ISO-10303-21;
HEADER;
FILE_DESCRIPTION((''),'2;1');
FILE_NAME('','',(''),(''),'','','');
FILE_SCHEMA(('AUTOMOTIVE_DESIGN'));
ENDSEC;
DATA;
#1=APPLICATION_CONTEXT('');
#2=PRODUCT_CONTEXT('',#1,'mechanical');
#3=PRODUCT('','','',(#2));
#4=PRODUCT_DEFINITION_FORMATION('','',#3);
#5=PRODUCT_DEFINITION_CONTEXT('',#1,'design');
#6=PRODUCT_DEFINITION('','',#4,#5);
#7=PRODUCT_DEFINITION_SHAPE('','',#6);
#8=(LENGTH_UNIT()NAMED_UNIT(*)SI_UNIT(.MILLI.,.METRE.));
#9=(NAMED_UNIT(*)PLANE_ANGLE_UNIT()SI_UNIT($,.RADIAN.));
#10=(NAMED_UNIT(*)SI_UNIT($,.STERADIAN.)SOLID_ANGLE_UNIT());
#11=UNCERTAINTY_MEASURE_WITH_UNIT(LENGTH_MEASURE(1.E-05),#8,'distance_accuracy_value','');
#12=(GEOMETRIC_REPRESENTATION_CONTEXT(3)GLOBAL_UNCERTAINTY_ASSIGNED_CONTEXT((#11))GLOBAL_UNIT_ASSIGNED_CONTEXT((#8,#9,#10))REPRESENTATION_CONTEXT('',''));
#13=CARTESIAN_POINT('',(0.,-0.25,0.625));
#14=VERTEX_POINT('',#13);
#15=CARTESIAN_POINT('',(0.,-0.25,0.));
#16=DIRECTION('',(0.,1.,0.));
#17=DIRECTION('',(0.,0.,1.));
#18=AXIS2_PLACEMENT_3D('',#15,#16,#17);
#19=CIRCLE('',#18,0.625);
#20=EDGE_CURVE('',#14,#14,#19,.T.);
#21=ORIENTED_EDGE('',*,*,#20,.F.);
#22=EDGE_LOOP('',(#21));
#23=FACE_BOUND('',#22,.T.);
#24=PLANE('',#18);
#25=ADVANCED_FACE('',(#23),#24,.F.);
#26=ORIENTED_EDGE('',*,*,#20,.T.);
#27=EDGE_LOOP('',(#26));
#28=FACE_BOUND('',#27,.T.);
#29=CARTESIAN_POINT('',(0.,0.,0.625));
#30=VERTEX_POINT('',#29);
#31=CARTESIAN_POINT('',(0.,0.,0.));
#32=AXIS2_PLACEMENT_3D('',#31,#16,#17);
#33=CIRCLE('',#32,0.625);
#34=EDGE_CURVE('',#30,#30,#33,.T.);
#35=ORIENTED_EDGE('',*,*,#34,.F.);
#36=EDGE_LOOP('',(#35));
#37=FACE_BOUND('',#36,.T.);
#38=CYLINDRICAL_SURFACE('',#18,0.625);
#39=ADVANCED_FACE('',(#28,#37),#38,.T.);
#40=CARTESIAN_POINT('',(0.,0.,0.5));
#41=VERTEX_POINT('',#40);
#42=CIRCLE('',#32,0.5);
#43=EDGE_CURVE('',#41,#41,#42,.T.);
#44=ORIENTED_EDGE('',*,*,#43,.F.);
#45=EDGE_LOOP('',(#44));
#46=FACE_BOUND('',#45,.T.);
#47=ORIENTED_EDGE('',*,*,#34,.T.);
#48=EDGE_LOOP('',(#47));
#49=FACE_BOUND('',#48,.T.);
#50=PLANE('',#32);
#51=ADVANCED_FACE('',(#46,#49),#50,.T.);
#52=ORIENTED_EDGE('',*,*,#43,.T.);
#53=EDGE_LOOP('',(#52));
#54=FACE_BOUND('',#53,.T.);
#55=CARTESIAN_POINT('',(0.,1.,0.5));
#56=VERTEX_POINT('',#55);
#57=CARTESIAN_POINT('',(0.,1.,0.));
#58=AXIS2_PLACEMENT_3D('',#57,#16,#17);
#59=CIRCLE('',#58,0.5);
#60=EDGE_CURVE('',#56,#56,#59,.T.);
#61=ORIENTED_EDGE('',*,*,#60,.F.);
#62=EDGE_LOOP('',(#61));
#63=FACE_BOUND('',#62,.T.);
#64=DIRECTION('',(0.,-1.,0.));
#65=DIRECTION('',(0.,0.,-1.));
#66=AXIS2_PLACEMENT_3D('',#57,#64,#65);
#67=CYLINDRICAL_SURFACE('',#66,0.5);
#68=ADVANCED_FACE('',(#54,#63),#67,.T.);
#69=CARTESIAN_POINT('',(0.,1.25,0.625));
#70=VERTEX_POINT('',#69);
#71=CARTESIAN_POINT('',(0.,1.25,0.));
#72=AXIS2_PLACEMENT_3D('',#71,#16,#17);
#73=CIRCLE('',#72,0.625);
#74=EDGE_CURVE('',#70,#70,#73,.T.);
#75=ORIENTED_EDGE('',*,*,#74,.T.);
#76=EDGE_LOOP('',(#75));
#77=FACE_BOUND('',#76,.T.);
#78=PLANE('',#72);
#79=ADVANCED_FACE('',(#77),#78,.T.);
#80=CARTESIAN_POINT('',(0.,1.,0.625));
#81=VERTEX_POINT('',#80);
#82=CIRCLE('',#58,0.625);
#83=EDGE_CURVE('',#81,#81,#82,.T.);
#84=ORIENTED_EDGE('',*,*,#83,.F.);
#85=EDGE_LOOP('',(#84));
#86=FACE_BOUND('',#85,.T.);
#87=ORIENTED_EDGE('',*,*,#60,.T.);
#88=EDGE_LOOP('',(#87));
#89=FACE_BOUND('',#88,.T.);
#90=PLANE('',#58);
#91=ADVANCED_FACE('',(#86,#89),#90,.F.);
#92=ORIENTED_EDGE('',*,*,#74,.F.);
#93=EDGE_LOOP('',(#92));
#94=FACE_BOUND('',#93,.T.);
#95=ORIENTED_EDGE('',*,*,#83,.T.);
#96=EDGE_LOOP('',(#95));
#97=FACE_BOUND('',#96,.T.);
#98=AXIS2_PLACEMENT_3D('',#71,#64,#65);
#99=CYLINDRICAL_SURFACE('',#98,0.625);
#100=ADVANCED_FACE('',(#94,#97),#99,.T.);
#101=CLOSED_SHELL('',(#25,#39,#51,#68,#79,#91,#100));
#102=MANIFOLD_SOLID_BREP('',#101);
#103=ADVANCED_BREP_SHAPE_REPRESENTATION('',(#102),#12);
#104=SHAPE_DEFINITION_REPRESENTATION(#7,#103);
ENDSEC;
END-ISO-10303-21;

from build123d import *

# Parameters (mm, degrees)
SKETCH1_R           = 0.5
BOSS_EXTRUDE1_DEPTH = 1
SKETCH2_R           = 0.625
BOSS_EXTRUDE2_DEPTH = 0.25
BOSS_EXTRUDE3_START = 0.25
SKETCH3_R           = 0.625
BOSS_EXTRUDE3_DEPTH = 0.25


with BuildPart() as part:
    # Sketch1 → Boss-Extrude1 (new body)
    with BuildSketch(Plane(origin=(0, 0, 0), x_dir=(1, 0, 0), z_dir=(0, 1, 0))):
        with Locations(Location((0, 0, 0), (0, 0, 270))):
            Circle(SKETCH1_R)
    extrude(amount=BOSS_EXTRUDE1_DEPTH)

    # Sketch2 → Boss-Extrude2 (add)
    with BuildSketch(Plane(origin=(0, 0, 0), x_dir=(1, 0, 0), z_dir=(0, 1, 0))):
        with Locations(Location((0, 0, 0), (0, 0, 270))):
            Circle(SKETCH2_R)
    extrude(amount=-BOSS_EXTRUDE2_DEPTH)

    # Sketch3 → Boss-Extrude3 (add)
    with BuildSketch(Plane(origin=(0, 1, 0), x_dir=(1, 0, 0), z_dir=(0, 1, 0)).offset(BOSS_EXTRUDE3_START)):
        with Locations(Location((0, 0, 0), (0, 0, 270))):
            Circle(SKETCH3_R)
    extrude(amount=-BOSS_EXTRUDE3_DEPTH)


solid = part.part
